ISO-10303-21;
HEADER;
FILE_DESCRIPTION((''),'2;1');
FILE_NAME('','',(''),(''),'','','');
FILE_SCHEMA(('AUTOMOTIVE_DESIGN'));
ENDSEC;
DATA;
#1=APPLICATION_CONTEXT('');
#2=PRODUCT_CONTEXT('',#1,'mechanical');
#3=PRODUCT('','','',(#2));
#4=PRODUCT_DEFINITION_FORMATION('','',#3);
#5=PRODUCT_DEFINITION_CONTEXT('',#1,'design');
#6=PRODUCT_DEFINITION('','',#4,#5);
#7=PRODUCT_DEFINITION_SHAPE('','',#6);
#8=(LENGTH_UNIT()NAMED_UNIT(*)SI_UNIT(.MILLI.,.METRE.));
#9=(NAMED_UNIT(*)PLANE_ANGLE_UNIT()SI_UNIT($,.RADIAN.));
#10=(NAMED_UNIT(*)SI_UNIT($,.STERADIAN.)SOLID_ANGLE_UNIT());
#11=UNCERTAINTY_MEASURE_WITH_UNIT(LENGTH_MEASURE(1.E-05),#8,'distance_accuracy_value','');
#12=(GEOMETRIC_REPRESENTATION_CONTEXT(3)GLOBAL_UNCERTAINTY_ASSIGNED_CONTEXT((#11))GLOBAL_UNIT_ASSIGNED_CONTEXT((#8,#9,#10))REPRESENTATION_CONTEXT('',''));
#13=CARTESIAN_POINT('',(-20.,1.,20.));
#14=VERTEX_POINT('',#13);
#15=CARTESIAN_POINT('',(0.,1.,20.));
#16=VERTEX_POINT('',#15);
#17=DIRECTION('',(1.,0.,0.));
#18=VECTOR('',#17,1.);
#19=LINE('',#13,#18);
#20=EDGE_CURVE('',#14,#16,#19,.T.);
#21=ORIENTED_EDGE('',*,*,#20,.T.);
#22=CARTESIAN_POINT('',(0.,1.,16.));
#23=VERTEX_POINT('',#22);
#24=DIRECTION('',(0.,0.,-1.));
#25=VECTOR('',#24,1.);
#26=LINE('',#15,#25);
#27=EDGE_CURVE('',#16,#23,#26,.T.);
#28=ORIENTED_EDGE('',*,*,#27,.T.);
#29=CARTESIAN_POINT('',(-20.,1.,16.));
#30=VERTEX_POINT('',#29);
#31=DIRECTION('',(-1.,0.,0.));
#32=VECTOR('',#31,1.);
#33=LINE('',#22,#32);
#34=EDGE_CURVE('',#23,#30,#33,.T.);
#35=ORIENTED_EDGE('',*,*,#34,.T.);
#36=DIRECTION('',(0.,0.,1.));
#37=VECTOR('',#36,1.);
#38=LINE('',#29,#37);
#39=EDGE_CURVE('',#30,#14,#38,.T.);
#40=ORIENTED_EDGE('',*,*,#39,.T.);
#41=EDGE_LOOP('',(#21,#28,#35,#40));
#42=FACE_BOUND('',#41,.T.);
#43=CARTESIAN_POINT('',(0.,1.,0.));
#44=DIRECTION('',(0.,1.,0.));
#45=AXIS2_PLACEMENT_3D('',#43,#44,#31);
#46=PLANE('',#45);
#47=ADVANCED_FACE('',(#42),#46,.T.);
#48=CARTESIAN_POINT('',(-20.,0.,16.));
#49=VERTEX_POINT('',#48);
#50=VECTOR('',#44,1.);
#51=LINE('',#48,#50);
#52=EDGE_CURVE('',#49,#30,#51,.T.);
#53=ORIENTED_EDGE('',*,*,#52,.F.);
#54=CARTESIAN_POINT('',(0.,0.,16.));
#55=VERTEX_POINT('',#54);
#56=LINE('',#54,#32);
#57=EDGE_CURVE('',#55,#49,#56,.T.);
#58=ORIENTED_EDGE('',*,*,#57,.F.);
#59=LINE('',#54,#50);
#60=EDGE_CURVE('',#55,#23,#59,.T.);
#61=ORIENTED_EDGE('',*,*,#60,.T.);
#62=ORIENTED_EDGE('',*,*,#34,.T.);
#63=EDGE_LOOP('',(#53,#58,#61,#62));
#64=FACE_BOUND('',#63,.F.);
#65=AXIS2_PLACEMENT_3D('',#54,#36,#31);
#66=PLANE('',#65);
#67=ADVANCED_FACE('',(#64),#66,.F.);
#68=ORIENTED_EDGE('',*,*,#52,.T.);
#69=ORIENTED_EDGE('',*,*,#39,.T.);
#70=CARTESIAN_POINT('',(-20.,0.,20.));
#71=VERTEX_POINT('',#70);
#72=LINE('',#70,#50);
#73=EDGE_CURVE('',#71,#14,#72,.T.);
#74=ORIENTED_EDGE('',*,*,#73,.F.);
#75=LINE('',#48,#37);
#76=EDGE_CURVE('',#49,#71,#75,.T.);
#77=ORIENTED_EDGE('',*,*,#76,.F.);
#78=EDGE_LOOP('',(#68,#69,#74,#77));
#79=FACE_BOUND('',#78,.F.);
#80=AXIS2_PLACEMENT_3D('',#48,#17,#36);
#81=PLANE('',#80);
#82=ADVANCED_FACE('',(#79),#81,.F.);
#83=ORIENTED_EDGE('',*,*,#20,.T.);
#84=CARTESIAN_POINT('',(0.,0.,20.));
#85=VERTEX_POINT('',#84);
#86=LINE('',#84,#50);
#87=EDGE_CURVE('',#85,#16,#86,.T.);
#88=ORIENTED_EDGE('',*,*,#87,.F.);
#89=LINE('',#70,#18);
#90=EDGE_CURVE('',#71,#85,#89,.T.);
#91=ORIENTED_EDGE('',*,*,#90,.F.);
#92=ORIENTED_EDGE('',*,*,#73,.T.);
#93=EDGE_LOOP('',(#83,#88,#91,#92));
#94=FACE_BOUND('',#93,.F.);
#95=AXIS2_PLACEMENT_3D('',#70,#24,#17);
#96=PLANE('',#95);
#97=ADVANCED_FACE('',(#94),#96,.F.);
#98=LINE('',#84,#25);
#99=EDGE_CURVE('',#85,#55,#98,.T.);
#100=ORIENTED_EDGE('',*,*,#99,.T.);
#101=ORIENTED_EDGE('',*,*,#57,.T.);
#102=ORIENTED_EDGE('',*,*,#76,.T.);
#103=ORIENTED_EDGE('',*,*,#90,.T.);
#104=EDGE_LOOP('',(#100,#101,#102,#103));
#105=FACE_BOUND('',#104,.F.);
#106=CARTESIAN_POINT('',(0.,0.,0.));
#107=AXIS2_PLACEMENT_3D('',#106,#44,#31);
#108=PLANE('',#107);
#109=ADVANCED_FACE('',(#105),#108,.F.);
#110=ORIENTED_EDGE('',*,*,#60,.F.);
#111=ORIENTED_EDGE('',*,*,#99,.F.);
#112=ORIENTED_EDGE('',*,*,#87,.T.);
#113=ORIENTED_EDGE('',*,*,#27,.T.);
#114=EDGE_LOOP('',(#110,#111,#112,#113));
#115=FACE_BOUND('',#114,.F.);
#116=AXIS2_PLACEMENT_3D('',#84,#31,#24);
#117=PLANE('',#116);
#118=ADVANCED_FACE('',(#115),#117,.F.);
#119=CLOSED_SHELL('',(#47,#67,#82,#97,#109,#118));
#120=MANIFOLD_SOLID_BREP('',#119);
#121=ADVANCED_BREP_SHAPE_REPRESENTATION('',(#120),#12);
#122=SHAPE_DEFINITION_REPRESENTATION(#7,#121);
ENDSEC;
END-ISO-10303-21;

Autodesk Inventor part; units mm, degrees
ref_plane "YZ Plane" through (0, 0, 0) normal (1, 0, 0) x (0, 1, 0)
ref_plane "XZ Plane" through (0, 0, 0) normal (0, 1, 0) x (-1, 0, 0)
ref_plane "XY Plane" through (0, 0, 0) normal (0, 0, 1) x (1, 0, 0)
sketch "Sketch1" plane through (0, 0, 0) normal (0, 1, 0) x (-1, 0, 0)
  line L0 (0, 16) -> (20, 16)
  line L1 (20, 16) -> (20, 20)
  line L2 (20, 20) -> (0, 20)
  line L3 (0, 20) -> (0, 16)
  point P0 (0, 0)
  dimension "d2" = 20
  dimension "d3" = 4
extrude "Extrusion1" add sketch "Sketch1" along normal blind 1
properties part number "BLOK"
